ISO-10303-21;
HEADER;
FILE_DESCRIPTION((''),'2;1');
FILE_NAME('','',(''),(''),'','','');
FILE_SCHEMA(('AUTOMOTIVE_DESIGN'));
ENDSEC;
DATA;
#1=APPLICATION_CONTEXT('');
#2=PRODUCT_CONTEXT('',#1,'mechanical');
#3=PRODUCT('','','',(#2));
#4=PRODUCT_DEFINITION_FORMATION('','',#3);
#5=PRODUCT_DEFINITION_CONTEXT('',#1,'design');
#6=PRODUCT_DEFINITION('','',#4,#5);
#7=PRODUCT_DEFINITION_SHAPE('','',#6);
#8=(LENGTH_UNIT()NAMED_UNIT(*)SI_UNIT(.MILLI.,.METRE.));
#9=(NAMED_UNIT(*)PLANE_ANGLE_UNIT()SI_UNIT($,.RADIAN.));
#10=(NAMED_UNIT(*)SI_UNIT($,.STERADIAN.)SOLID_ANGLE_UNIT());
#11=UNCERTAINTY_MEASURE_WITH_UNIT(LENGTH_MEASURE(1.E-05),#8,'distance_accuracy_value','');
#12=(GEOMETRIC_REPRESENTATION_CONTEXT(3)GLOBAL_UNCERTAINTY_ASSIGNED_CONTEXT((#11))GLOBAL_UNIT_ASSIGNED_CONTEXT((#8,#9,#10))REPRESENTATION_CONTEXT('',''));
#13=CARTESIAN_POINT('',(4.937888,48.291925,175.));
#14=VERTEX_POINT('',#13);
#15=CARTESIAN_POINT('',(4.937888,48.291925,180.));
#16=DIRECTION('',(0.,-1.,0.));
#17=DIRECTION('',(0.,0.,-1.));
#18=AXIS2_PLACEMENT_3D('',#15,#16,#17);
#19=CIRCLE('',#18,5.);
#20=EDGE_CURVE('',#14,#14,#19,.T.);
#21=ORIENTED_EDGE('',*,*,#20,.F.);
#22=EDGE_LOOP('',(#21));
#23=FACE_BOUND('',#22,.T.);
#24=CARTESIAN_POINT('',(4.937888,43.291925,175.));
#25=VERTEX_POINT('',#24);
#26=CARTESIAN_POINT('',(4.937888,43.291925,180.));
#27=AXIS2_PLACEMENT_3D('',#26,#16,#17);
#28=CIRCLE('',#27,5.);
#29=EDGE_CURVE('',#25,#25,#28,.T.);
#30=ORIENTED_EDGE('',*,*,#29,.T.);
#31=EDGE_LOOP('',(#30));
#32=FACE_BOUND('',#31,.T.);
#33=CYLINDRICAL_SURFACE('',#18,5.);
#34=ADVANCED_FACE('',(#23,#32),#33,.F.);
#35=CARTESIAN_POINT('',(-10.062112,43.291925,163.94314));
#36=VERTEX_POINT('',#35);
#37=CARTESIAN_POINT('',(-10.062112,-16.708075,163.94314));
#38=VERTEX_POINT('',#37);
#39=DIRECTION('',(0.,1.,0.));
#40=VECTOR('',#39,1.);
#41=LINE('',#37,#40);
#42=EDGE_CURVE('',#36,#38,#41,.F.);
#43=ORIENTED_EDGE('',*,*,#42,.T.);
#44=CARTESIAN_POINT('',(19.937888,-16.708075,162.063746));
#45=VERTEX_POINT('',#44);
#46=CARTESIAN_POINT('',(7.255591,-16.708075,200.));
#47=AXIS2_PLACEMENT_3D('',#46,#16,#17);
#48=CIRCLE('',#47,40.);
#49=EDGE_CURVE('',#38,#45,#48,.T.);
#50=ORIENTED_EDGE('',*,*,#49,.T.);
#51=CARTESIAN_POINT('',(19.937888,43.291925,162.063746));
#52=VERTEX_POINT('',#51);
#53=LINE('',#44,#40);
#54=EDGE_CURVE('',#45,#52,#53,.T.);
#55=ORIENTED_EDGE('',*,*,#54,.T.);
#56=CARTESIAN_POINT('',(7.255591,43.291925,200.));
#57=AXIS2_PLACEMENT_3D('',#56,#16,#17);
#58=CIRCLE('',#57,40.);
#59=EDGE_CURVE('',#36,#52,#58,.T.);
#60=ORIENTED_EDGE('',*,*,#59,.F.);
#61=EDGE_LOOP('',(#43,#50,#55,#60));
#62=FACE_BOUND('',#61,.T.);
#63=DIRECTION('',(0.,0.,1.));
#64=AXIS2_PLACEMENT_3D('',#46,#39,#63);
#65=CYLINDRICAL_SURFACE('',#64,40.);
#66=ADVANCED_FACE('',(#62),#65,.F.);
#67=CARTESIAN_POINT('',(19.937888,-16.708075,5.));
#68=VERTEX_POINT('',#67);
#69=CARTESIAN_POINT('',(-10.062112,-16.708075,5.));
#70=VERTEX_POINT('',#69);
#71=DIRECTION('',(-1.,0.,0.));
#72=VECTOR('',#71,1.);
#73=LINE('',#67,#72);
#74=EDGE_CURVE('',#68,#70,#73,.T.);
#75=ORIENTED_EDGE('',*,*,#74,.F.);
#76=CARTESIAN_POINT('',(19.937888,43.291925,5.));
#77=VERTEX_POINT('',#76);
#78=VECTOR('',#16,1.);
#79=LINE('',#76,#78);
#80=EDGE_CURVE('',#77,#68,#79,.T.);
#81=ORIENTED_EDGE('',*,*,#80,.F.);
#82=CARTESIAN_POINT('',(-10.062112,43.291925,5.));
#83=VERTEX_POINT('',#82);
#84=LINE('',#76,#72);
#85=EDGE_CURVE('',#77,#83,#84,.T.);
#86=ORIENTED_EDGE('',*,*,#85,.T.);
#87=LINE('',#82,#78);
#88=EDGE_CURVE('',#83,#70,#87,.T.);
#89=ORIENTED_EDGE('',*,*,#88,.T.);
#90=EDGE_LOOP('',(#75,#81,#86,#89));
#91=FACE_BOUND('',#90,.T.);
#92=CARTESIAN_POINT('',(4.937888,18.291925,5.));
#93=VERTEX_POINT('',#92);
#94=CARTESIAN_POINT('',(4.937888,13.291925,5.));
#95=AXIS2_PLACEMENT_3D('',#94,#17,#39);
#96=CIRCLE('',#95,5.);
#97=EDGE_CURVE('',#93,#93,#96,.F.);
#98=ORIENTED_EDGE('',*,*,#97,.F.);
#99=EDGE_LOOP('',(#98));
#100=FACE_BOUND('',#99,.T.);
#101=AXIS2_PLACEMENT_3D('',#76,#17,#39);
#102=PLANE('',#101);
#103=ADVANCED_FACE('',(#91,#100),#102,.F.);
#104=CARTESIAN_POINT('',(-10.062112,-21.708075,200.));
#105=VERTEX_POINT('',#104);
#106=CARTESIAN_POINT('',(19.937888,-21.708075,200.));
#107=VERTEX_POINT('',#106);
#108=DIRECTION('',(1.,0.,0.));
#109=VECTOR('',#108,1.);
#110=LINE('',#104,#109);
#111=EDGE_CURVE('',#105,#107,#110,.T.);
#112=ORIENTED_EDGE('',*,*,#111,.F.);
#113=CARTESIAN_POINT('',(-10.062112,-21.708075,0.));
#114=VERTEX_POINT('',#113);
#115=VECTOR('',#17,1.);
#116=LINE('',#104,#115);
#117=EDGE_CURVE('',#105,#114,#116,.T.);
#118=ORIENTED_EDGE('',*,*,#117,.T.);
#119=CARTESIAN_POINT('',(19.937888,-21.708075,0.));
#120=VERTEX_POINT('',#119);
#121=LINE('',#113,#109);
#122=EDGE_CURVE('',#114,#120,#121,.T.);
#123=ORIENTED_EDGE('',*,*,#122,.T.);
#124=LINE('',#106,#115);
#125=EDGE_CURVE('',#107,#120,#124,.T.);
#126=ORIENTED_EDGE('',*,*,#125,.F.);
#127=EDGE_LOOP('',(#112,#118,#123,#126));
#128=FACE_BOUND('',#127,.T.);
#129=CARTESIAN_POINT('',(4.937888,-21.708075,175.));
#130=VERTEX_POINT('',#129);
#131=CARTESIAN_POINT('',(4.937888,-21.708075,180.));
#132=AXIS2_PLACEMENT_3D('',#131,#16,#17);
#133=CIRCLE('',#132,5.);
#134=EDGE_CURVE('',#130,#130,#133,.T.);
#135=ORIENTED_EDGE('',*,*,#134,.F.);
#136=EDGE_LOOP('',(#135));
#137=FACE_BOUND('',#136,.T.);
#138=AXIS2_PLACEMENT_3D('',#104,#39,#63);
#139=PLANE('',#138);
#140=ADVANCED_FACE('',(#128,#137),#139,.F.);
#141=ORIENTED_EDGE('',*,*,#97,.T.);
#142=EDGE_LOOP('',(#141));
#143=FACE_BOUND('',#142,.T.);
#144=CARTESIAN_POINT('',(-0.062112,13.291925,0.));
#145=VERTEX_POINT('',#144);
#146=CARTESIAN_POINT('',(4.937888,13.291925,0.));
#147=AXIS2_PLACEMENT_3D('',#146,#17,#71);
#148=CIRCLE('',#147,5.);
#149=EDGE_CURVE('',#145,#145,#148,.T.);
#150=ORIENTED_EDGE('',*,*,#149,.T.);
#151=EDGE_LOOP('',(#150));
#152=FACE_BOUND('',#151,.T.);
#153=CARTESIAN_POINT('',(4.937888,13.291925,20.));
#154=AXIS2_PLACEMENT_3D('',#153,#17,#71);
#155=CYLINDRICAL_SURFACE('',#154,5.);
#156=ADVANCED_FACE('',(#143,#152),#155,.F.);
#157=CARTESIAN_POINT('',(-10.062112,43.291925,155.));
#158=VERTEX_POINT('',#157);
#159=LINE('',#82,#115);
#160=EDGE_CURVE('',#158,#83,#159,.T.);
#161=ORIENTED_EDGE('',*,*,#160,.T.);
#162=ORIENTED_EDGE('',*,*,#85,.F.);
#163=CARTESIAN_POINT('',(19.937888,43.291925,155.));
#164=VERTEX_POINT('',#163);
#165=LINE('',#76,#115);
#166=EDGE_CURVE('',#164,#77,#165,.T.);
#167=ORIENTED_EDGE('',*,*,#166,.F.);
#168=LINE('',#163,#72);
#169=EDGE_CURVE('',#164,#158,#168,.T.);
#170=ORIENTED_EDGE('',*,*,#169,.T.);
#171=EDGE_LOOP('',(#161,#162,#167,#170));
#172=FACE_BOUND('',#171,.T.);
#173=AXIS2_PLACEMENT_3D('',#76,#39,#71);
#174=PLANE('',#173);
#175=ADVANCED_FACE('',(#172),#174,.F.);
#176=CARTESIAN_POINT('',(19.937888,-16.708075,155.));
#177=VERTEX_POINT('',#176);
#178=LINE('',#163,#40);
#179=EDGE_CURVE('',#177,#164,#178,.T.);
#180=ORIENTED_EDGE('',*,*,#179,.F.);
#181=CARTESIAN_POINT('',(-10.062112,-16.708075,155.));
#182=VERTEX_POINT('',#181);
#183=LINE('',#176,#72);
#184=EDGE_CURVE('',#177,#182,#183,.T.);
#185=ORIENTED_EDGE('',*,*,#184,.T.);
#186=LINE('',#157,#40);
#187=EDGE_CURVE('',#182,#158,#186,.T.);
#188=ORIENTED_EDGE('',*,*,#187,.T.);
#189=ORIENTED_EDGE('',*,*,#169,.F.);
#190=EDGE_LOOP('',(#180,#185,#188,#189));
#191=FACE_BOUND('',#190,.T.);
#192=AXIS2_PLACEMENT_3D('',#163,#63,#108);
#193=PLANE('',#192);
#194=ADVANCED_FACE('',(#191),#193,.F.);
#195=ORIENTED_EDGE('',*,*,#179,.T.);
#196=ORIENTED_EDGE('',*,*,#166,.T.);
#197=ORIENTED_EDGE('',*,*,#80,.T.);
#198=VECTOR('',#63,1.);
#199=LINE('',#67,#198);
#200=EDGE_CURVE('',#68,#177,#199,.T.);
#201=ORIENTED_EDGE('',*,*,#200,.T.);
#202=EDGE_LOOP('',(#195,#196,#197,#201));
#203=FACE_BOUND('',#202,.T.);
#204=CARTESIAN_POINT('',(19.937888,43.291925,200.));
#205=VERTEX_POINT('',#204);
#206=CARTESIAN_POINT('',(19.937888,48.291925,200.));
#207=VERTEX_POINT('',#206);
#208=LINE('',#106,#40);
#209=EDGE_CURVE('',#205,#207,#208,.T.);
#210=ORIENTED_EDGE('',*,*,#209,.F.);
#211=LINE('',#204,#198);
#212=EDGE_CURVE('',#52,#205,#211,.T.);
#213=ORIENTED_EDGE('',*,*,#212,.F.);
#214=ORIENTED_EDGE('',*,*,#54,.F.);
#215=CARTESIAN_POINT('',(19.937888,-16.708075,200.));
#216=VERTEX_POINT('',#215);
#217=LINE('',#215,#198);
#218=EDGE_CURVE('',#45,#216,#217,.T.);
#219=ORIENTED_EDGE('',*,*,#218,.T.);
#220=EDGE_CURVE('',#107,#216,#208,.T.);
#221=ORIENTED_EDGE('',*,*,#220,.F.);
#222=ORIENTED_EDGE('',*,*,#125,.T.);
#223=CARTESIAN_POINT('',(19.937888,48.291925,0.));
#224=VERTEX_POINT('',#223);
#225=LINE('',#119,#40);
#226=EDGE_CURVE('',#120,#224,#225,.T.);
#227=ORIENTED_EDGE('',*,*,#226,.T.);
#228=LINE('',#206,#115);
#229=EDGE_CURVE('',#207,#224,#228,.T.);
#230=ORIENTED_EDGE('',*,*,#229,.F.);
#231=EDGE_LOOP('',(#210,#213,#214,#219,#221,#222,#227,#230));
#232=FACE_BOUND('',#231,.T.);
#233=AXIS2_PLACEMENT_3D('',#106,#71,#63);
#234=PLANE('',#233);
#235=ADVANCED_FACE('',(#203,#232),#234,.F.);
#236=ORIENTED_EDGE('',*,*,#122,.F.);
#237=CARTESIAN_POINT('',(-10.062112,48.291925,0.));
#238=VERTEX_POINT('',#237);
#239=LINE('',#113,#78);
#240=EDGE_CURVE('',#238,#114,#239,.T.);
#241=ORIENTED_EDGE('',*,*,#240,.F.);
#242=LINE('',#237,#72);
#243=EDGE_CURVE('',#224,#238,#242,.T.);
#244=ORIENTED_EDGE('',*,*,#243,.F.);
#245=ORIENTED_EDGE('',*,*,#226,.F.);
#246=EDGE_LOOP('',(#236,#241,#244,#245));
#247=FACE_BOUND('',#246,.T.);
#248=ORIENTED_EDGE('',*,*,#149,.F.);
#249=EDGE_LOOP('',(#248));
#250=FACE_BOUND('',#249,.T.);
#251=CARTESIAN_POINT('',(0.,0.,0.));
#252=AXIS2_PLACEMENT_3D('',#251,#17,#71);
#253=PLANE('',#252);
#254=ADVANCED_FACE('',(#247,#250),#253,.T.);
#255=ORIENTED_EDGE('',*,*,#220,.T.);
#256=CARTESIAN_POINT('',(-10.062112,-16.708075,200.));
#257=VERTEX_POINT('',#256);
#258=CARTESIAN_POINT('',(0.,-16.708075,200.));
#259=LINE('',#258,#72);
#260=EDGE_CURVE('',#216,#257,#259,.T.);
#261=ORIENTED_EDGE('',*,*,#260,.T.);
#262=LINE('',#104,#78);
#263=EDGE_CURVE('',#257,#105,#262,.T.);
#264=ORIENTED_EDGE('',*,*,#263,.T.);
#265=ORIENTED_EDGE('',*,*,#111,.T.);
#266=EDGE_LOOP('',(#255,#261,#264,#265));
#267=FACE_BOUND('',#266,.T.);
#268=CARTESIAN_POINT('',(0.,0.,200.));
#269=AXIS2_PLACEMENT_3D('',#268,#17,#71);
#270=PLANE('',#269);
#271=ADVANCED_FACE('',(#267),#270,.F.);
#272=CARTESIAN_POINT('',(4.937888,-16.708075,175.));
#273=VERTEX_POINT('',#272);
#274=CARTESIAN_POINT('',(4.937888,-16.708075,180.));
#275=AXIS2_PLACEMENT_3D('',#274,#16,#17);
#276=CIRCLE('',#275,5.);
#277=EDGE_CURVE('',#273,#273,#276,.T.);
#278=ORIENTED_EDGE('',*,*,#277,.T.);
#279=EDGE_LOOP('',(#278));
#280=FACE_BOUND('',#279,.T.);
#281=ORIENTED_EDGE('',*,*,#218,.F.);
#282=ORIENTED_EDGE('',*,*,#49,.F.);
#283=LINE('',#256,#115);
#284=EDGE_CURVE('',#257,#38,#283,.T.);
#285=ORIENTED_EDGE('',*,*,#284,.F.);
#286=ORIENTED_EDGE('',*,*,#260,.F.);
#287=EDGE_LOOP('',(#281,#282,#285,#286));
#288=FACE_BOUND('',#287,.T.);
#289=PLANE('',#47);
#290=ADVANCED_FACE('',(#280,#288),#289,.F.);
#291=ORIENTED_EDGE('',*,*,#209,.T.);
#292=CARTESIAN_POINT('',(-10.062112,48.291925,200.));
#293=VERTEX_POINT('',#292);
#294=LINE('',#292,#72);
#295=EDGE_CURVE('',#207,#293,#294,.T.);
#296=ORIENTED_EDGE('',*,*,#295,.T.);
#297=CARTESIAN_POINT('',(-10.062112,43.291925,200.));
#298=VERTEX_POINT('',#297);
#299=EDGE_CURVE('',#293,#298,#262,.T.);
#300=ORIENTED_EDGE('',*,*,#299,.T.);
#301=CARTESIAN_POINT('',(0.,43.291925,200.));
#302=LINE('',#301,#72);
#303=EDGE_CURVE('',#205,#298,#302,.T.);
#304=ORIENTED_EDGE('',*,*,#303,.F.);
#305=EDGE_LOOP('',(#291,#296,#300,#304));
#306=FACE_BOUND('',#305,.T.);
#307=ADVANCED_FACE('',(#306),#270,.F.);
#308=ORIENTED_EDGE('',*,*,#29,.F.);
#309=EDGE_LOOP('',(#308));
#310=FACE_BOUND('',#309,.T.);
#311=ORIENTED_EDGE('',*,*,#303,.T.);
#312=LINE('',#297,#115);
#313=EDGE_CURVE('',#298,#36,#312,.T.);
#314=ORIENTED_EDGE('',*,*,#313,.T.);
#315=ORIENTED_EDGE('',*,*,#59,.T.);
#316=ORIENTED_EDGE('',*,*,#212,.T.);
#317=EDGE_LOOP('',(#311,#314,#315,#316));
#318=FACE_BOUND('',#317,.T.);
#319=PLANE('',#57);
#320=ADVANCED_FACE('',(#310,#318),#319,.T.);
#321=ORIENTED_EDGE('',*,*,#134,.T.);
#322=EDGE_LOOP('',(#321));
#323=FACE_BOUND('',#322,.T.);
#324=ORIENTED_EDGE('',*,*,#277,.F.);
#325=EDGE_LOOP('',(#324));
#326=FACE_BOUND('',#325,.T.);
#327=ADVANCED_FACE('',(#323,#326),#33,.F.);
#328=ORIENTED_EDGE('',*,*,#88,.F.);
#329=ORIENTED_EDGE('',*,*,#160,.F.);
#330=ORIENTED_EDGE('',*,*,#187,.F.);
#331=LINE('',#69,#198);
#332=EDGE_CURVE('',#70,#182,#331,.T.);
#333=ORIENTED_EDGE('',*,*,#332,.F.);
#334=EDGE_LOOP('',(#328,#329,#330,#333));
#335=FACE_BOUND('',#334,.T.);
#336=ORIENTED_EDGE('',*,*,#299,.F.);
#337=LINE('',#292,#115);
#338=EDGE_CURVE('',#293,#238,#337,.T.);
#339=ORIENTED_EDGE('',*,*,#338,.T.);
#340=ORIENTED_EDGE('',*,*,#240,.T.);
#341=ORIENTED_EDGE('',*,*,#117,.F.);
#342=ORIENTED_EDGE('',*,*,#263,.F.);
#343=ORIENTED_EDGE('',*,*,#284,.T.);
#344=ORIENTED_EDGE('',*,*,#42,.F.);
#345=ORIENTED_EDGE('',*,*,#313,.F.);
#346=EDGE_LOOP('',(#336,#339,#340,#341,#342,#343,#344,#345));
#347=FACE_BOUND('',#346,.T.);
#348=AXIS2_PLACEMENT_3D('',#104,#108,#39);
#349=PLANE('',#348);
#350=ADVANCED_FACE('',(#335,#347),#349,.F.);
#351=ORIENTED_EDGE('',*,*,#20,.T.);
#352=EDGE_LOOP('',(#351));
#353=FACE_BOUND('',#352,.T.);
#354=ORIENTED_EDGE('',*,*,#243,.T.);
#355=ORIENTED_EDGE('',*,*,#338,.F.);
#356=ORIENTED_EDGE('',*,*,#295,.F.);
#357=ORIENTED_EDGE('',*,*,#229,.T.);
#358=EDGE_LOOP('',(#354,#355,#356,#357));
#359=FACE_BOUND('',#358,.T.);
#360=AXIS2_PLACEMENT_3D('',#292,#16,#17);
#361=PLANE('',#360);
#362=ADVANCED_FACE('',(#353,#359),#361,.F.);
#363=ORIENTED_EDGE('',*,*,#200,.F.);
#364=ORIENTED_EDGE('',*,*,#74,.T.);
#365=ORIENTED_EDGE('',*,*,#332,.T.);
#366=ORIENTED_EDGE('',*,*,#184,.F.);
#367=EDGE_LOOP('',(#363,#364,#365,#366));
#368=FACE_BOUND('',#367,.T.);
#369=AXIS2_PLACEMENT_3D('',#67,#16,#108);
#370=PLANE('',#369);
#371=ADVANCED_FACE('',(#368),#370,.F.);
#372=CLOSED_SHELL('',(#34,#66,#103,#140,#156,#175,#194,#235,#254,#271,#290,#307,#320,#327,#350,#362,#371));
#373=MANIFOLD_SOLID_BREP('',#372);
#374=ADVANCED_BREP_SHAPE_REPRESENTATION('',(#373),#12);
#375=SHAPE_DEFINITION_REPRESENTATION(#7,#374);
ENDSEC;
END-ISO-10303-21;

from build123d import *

# Parameters (mm, degrees)
CROQUIS1_W                 = 30
CROQUIS1_H                 = 70
SALIENTE_EXTRUIR1_DEPTH    = 200
CROQUIS5_R                 = 5
CORTAR_EXTRUIR2_DEPTH      = 20
CORTAR_EXTRUIR3_DEPTH      = 30
CORTAR_EXTRUIR3_DEPTH_BACK = 30
CROQUIS6_R                 = 40
CROQUIS7_W                 = 150
CROQUIS7_H                 = 60
CORTAR_EXTRUIR4_DEPTH      = 208.923327371
CROQUIS8_R                 = 5
CORTAR_EXTRUIR5_DEPTH      = 213.832138987


with BuildPart() as part:
    # Croquis1 → Saliente-Extruir1 (new body)
    with BuildSketch(Plane.XY):
        with Locations((4.937888199, 13.291925466)):
            Rectangle(CROQUIS1_W, CROQUIS1_H)
    extrude(amount=SALIENTE_EXTRUIR1_DEPTH)

    # Croquis5 → Cortar-Extruir2 (cut)
    with BuildSketch(Plane(origin=(0, 0, 0), x_dir=(-1, 0, 0), z_dir=(0, 0, -1))):
        with Locations((-4.937888199, 13.291925466)):
            Circle(CROQUIS5_R)
    extrude(amount=-CORTAR_EXTRUIR2_DEPTH, mode=Mode.SUBTRACT)

    # Croquis6 → Cortar-Extruir3 (cut, two sides: drawn at the far end of the back side and taken through both)
    with BuildSketch(Plane(origin=(0, 13.291925466, 0), x_dir=(-1, 0, 0), z_dir=(0, -1, 0)).offset(-CORTAR_EXTRUIR3_DEPTH_BACK)):
        with Locations((-7.25559109, -200)):
            Circle(CROQUIS6_R)
    extrude(amount=CORTAR_EXTRUIR3_DEPTH + CORTAR_EXTRUIR3_DEPTH_BACK, mode=Mode.SUBTRACT)

    # Croquis7 → Cortar-Extruir4 (cut, through all)
    with BuildSketch(Plane.ZY.offset(10.062111801)):
        with Locations((80, 13.291925466)):
            Rectangle(CROQUIS7_W, CROQUIS7_H)
    extrude(amount=-CORTAR_EXTRUIR4_DEPTH, mode=Mode.SUBTRACT)

    # Croquis8 → Cortar-Extruir5 (cut, through all)
    with BuildSketch(Plane(origin=(0, -21.708074534, 0), x_dir=(-1, 0, 0), z_dir=(0, -1, 0))):
        with Locations((-4.937888199, -180)):
            Circle(CROQUIS8_R)
    extrude(amount=-CORTAR_EXTRUIR5_DEPTH, mode=Mode.SUBTRACT)


solid = part.part
